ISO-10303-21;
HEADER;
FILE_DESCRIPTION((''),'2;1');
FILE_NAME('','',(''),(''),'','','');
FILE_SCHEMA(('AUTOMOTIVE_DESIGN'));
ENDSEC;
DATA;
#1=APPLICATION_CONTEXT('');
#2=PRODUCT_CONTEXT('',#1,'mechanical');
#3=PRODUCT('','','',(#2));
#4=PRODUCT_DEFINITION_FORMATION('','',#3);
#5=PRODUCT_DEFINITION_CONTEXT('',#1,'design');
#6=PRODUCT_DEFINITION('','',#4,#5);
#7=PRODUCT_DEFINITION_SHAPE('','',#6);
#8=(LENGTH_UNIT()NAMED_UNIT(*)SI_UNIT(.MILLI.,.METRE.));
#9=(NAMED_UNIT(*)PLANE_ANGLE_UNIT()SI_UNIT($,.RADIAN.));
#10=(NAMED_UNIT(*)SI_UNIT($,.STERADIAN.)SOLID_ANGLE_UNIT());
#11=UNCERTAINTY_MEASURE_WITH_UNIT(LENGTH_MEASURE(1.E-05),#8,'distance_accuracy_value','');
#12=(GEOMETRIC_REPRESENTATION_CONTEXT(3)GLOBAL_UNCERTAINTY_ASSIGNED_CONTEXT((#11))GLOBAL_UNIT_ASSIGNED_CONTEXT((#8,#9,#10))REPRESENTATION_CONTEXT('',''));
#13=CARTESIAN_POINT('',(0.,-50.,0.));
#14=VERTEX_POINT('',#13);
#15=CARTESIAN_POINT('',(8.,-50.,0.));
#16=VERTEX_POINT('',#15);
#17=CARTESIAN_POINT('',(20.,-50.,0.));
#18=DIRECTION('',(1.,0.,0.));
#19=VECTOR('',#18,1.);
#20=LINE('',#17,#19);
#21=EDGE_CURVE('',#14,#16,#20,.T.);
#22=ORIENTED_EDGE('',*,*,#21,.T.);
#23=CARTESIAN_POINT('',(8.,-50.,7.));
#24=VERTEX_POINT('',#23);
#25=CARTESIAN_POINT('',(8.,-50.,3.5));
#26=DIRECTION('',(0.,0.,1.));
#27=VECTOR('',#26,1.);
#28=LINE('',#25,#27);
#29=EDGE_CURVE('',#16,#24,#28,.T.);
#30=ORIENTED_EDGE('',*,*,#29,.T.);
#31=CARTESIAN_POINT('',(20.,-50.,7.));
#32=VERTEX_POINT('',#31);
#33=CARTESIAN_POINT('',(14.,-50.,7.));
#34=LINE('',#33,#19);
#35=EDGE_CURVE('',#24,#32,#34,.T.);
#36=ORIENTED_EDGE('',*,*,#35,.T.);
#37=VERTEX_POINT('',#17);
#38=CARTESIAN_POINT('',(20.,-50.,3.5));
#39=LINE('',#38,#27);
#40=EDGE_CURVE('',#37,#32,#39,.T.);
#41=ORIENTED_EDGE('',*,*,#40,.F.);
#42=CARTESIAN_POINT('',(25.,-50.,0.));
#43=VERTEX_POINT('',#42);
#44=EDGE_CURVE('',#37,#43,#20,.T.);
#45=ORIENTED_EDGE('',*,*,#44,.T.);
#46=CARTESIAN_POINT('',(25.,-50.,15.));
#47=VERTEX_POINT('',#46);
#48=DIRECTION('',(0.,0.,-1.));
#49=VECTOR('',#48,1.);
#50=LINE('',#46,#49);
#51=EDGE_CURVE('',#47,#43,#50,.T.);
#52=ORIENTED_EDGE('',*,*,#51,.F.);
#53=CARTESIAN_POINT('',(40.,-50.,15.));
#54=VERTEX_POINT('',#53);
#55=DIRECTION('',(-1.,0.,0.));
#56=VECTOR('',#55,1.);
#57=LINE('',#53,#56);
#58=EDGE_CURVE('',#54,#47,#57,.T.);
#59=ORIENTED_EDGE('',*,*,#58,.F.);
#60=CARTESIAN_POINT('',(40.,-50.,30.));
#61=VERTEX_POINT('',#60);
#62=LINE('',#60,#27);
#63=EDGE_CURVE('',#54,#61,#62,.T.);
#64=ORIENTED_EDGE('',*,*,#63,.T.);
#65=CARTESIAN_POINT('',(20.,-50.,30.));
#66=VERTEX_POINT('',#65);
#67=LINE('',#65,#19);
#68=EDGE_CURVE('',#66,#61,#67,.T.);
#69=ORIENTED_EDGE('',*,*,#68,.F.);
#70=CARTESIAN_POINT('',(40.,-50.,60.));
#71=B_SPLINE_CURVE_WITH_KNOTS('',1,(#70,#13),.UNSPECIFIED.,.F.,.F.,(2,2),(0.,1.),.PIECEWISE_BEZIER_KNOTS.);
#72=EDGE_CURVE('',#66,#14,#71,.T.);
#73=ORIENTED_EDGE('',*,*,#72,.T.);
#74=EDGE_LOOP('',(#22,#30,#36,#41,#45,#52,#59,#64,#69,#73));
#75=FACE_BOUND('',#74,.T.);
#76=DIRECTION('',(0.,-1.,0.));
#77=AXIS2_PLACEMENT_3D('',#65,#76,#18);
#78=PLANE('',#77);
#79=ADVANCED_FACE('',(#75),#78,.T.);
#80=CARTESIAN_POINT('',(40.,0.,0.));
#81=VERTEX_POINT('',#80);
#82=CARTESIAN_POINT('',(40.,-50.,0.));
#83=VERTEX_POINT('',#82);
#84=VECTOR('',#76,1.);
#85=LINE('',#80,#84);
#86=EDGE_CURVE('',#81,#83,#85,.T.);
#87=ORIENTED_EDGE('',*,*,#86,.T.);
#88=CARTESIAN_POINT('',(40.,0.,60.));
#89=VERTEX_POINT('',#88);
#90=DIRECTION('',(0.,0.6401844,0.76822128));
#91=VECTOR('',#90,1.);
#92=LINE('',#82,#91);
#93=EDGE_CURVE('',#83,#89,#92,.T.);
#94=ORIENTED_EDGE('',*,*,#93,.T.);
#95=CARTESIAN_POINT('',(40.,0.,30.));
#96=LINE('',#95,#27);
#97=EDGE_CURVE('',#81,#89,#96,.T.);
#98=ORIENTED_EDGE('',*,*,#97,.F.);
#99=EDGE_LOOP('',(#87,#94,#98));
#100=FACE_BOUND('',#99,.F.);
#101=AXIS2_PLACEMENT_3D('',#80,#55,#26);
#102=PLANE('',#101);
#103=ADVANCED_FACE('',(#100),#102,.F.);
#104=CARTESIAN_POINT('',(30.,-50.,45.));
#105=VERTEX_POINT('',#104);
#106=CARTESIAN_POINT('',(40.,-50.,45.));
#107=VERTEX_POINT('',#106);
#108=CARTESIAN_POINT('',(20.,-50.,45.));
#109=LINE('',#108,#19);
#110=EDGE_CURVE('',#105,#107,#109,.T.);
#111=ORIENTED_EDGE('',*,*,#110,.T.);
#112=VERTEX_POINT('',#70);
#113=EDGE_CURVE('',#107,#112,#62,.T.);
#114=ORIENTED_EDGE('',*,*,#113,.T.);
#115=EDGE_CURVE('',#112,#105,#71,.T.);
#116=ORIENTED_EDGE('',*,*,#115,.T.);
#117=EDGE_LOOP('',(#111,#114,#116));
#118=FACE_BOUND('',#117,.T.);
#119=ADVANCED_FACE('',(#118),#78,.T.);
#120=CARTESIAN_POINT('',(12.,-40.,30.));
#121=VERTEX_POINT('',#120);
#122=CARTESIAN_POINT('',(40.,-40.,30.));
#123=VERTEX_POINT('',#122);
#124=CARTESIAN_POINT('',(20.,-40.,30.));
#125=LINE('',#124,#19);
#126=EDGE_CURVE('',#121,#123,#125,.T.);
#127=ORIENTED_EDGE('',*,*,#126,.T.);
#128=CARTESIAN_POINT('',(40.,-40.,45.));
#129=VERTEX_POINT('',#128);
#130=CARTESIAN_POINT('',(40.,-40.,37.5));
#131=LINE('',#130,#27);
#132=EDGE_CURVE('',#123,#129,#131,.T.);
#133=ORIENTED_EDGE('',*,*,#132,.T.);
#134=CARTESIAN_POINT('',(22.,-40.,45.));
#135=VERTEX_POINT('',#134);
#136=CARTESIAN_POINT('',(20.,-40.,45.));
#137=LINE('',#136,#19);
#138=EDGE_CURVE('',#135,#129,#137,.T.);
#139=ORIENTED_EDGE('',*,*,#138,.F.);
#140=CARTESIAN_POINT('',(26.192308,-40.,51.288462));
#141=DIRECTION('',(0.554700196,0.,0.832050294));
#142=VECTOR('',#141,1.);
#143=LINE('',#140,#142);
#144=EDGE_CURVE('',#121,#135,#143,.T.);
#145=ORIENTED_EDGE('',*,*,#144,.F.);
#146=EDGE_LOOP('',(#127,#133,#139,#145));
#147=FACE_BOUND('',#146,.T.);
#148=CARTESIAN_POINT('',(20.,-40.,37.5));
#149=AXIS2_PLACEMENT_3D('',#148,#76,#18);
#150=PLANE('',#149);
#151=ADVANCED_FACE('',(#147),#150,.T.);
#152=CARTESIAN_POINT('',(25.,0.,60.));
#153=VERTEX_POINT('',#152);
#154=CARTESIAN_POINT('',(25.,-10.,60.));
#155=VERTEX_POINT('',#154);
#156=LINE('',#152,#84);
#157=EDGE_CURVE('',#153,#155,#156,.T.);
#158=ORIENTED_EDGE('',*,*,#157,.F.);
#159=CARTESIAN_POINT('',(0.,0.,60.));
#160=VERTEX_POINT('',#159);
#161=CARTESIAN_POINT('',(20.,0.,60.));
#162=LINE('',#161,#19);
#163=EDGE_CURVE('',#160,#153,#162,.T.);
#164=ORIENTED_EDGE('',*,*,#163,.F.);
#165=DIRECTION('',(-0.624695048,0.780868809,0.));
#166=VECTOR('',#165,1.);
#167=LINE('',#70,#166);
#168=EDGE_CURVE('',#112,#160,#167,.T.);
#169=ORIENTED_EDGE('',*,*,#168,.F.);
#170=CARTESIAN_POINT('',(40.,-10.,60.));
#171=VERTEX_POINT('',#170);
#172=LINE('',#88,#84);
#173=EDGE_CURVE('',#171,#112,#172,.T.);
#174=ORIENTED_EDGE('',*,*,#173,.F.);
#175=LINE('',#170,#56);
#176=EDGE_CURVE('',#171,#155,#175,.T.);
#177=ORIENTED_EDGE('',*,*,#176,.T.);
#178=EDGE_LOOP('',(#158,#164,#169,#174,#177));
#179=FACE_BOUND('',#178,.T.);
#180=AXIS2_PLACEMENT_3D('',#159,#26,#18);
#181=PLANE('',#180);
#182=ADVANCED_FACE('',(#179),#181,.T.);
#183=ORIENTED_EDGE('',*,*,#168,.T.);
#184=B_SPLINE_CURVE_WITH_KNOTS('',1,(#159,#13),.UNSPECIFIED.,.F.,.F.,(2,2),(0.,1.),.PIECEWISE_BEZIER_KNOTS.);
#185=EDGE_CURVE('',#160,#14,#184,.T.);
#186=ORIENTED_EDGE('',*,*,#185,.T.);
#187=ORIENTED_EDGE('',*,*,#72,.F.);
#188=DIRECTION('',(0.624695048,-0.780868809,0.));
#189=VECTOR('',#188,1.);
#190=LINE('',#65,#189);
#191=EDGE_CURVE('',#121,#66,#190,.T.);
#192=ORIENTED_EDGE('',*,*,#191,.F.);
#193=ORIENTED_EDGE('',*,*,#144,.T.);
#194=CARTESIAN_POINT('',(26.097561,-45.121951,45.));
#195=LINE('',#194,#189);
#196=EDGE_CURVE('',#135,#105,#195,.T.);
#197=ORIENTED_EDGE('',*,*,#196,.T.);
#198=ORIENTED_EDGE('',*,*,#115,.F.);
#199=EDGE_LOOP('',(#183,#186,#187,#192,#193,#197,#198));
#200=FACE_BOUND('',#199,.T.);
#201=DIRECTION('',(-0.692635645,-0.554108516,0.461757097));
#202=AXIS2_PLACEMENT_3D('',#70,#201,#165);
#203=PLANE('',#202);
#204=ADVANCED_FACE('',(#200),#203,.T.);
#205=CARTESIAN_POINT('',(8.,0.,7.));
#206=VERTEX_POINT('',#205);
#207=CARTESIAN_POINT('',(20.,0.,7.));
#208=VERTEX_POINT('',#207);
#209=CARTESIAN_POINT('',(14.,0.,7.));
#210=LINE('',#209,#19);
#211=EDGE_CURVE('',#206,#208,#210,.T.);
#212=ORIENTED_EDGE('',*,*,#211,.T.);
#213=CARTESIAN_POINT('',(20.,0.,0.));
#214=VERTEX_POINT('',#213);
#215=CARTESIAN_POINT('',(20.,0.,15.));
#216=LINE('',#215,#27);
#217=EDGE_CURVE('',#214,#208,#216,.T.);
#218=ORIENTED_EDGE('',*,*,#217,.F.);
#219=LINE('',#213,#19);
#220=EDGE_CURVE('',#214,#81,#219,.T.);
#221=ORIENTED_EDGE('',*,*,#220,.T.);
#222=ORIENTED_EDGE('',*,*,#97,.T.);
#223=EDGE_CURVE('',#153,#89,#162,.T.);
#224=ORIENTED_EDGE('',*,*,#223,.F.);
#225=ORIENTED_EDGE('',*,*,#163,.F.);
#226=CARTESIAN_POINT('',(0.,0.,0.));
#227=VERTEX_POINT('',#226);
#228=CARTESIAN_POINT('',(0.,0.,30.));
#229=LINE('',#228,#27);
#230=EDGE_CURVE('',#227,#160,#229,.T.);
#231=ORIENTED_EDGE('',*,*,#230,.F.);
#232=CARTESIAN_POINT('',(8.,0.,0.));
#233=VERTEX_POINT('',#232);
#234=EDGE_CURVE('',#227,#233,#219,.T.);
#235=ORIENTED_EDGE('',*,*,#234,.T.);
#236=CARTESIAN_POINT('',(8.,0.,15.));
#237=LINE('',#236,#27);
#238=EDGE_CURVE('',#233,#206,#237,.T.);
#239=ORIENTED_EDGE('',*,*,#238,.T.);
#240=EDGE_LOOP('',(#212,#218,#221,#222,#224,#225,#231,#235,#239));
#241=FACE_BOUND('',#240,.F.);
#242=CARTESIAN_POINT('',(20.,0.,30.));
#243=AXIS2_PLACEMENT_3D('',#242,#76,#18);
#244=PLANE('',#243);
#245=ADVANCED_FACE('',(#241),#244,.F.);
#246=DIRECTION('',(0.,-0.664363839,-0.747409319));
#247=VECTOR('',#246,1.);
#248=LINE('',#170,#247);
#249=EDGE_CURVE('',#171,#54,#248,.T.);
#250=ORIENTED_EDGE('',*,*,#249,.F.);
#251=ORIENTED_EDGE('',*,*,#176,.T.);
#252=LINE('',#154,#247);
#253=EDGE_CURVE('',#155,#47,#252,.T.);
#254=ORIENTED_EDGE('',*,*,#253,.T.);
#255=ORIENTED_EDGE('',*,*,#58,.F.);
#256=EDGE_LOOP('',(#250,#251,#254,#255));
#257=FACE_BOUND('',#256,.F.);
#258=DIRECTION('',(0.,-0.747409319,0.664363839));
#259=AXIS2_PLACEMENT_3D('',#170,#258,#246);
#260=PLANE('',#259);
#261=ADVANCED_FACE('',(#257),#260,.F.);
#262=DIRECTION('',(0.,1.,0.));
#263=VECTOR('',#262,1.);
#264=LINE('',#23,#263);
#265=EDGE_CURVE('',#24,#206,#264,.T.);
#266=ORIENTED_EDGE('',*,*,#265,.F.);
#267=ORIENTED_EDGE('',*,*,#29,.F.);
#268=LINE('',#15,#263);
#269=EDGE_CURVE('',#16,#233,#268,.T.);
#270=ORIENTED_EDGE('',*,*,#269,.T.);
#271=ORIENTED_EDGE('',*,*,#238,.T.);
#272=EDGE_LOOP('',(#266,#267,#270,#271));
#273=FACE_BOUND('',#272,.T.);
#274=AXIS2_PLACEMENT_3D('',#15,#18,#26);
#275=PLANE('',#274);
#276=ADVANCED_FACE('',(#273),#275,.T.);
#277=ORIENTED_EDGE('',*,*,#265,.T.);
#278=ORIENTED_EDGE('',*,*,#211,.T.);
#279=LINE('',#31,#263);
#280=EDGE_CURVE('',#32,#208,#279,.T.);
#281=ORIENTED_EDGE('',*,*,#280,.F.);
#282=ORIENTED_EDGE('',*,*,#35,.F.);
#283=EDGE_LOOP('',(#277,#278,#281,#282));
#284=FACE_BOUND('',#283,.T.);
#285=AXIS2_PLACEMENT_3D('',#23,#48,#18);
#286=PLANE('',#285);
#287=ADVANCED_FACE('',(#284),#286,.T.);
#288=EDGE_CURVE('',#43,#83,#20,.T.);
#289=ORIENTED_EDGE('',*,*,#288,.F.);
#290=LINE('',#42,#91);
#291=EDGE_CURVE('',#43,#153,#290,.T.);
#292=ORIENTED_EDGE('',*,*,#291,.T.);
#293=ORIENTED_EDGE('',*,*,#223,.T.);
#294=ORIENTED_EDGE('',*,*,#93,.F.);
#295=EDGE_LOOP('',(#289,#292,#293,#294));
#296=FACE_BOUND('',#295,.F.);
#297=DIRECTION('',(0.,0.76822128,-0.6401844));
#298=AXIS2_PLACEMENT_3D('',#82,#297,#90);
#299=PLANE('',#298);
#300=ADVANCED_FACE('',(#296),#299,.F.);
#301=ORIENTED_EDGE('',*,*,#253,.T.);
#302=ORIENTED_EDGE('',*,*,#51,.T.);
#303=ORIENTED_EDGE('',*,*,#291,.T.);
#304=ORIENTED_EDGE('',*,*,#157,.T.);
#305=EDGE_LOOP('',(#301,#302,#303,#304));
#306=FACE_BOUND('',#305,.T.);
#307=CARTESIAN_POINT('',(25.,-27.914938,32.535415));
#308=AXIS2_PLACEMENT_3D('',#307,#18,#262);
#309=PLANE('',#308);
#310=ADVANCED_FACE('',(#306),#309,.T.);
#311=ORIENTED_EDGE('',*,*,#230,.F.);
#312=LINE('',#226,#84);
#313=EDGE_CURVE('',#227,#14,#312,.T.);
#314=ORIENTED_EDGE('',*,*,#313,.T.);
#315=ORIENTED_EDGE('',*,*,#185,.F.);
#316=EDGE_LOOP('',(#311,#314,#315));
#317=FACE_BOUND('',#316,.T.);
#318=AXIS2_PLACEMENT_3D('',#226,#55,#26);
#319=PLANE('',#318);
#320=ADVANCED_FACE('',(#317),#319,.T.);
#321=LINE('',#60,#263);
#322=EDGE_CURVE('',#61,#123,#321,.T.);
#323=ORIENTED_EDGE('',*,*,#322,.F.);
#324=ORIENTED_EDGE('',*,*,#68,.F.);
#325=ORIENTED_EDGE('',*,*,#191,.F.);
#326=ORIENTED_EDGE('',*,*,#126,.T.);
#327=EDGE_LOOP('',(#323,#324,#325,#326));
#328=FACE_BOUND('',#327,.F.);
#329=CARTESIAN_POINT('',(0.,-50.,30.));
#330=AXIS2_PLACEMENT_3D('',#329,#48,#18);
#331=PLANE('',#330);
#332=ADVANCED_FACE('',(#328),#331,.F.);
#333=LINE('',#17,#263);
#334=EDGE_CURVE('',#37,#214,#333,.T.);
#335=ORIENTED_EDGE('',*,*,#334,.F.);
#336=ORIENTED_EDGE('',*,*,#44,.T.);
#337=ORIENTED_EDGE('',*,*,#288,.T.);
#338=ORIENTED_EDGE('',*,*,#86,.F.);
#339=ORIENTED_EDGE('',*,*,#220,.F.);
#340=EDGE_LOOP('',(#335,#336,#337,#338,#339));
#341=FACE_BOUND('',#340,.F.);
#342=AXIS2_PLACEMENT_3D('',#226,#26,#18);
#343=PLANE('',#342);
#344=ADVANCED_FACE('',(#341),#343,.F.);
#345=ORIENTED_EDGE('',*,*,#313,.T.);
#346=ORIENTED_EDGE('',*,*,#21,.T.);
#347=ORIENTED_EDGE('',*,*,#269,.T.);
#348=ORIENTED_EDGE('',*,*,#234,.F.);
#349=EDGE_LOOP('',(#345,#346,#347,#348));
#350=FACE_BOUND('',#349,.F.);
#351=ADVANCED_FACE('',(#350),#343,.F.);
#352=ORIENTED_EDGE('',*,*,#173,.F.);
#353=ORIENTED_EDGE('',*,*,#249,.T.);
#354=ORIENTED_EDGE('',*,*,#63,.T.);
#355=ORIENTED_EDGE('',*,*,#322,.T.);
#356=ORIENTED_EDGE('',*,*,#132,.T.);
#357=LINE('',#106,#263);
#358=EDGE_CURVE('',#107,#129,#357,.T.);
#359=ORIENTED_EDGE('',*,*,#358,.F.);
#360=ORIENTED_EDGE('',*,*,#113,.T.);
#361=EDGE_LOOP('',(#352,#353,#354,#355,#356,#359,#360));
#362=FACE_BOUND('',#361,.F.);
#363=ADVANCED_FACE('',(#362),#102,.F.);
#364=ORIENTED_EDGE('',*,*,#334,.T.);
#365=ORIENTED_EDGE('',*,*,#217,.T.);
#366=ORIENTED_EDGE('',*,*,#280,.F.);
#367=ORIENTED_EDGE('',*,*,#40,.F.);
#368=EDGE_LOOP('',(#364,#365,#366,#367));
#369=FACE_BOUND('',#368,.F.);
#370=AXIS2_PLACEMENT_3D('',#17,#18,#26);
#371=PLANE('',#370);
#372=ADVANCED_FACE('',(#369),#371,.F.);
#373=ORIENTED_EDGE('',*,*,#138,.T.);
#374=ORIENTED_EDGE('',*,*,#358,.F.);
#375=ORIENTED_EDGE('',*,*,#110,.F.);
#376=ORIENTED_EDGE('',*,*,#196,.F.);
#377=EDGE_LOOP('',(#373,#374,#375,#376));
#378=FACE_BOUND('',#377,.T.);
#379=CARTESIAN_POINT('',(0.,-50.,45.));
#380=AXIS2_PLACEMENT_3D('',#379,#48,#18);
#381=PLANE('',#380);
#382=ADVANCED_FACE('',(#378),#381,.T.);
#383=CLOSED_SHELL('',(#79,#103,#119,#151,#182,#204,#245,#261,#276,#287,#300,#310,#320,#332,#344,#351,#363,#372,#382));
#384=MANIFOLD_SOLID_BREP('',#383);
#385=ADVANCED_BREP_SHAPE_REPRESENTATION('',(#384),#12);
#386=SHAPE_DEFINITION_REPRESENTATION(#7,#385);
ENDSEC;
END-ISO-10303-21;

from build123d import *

# Parameters (mm, degrees)
F0_W     = 40
F0_H     = 60
F1_DEPTH = 50
F4_W     = 12
F4_H     = 7
F5_DEPTH = 50.0010001
F6_W     = 40
F6_H     = 15
F7_DEPTH = 10
F9_DEPTH = 15


with BuildPart() as f1:
    # F0 (on Front) → F1 (new body)
    with BuildSketch(Plane.XZ):
        with Locations((20, 30)):
            Rectangle(F0_W, F0_H)
    extrude(amount=F1_DEPTH)

    # F2 (on face) → F3 section 0
    with BuildSketch(Plane.XY.offset(60), mode=Mode.PRIVATE) as f3_s0:
        Polygon((40, -50), (0, 0), (0, -50), align=None)
    loft([f3_s0.sketch, Vertex(0, -50, 0)], mode=Mode.SUBTRACT)

    # F4 (on face) → F5 (cut, through all)
    with BuildSketch(Plane.XZ.offset(50)):
        with Locations((14, 3.5)):
            Rectangle(F4_W, F4_H)
    extrude(amount=-F5_DEPTH, mode=Mode.SUBTRACT)

    # F6 (on face) → F7 (cut)
    with BuildSketch(Plane.XZ.offset(50)):
        with Locations((20, 37.5)):
            Rectangle(F6_W, F6_H)
    extrude(amount=-F7_DEPTH, mode=Mode.SUBTRACT)

    # F8 (on face) → F9 (cut)
    with BuildSketch(Plane.YZ.offset(40)):
        Polygon((-50, 0), (0, 60), (-10, 60), (-50, 15), align=None)
    extrude(amount=-F9_DEPTH, mode=Mode.SUBTRACT)


solid = f1.part
